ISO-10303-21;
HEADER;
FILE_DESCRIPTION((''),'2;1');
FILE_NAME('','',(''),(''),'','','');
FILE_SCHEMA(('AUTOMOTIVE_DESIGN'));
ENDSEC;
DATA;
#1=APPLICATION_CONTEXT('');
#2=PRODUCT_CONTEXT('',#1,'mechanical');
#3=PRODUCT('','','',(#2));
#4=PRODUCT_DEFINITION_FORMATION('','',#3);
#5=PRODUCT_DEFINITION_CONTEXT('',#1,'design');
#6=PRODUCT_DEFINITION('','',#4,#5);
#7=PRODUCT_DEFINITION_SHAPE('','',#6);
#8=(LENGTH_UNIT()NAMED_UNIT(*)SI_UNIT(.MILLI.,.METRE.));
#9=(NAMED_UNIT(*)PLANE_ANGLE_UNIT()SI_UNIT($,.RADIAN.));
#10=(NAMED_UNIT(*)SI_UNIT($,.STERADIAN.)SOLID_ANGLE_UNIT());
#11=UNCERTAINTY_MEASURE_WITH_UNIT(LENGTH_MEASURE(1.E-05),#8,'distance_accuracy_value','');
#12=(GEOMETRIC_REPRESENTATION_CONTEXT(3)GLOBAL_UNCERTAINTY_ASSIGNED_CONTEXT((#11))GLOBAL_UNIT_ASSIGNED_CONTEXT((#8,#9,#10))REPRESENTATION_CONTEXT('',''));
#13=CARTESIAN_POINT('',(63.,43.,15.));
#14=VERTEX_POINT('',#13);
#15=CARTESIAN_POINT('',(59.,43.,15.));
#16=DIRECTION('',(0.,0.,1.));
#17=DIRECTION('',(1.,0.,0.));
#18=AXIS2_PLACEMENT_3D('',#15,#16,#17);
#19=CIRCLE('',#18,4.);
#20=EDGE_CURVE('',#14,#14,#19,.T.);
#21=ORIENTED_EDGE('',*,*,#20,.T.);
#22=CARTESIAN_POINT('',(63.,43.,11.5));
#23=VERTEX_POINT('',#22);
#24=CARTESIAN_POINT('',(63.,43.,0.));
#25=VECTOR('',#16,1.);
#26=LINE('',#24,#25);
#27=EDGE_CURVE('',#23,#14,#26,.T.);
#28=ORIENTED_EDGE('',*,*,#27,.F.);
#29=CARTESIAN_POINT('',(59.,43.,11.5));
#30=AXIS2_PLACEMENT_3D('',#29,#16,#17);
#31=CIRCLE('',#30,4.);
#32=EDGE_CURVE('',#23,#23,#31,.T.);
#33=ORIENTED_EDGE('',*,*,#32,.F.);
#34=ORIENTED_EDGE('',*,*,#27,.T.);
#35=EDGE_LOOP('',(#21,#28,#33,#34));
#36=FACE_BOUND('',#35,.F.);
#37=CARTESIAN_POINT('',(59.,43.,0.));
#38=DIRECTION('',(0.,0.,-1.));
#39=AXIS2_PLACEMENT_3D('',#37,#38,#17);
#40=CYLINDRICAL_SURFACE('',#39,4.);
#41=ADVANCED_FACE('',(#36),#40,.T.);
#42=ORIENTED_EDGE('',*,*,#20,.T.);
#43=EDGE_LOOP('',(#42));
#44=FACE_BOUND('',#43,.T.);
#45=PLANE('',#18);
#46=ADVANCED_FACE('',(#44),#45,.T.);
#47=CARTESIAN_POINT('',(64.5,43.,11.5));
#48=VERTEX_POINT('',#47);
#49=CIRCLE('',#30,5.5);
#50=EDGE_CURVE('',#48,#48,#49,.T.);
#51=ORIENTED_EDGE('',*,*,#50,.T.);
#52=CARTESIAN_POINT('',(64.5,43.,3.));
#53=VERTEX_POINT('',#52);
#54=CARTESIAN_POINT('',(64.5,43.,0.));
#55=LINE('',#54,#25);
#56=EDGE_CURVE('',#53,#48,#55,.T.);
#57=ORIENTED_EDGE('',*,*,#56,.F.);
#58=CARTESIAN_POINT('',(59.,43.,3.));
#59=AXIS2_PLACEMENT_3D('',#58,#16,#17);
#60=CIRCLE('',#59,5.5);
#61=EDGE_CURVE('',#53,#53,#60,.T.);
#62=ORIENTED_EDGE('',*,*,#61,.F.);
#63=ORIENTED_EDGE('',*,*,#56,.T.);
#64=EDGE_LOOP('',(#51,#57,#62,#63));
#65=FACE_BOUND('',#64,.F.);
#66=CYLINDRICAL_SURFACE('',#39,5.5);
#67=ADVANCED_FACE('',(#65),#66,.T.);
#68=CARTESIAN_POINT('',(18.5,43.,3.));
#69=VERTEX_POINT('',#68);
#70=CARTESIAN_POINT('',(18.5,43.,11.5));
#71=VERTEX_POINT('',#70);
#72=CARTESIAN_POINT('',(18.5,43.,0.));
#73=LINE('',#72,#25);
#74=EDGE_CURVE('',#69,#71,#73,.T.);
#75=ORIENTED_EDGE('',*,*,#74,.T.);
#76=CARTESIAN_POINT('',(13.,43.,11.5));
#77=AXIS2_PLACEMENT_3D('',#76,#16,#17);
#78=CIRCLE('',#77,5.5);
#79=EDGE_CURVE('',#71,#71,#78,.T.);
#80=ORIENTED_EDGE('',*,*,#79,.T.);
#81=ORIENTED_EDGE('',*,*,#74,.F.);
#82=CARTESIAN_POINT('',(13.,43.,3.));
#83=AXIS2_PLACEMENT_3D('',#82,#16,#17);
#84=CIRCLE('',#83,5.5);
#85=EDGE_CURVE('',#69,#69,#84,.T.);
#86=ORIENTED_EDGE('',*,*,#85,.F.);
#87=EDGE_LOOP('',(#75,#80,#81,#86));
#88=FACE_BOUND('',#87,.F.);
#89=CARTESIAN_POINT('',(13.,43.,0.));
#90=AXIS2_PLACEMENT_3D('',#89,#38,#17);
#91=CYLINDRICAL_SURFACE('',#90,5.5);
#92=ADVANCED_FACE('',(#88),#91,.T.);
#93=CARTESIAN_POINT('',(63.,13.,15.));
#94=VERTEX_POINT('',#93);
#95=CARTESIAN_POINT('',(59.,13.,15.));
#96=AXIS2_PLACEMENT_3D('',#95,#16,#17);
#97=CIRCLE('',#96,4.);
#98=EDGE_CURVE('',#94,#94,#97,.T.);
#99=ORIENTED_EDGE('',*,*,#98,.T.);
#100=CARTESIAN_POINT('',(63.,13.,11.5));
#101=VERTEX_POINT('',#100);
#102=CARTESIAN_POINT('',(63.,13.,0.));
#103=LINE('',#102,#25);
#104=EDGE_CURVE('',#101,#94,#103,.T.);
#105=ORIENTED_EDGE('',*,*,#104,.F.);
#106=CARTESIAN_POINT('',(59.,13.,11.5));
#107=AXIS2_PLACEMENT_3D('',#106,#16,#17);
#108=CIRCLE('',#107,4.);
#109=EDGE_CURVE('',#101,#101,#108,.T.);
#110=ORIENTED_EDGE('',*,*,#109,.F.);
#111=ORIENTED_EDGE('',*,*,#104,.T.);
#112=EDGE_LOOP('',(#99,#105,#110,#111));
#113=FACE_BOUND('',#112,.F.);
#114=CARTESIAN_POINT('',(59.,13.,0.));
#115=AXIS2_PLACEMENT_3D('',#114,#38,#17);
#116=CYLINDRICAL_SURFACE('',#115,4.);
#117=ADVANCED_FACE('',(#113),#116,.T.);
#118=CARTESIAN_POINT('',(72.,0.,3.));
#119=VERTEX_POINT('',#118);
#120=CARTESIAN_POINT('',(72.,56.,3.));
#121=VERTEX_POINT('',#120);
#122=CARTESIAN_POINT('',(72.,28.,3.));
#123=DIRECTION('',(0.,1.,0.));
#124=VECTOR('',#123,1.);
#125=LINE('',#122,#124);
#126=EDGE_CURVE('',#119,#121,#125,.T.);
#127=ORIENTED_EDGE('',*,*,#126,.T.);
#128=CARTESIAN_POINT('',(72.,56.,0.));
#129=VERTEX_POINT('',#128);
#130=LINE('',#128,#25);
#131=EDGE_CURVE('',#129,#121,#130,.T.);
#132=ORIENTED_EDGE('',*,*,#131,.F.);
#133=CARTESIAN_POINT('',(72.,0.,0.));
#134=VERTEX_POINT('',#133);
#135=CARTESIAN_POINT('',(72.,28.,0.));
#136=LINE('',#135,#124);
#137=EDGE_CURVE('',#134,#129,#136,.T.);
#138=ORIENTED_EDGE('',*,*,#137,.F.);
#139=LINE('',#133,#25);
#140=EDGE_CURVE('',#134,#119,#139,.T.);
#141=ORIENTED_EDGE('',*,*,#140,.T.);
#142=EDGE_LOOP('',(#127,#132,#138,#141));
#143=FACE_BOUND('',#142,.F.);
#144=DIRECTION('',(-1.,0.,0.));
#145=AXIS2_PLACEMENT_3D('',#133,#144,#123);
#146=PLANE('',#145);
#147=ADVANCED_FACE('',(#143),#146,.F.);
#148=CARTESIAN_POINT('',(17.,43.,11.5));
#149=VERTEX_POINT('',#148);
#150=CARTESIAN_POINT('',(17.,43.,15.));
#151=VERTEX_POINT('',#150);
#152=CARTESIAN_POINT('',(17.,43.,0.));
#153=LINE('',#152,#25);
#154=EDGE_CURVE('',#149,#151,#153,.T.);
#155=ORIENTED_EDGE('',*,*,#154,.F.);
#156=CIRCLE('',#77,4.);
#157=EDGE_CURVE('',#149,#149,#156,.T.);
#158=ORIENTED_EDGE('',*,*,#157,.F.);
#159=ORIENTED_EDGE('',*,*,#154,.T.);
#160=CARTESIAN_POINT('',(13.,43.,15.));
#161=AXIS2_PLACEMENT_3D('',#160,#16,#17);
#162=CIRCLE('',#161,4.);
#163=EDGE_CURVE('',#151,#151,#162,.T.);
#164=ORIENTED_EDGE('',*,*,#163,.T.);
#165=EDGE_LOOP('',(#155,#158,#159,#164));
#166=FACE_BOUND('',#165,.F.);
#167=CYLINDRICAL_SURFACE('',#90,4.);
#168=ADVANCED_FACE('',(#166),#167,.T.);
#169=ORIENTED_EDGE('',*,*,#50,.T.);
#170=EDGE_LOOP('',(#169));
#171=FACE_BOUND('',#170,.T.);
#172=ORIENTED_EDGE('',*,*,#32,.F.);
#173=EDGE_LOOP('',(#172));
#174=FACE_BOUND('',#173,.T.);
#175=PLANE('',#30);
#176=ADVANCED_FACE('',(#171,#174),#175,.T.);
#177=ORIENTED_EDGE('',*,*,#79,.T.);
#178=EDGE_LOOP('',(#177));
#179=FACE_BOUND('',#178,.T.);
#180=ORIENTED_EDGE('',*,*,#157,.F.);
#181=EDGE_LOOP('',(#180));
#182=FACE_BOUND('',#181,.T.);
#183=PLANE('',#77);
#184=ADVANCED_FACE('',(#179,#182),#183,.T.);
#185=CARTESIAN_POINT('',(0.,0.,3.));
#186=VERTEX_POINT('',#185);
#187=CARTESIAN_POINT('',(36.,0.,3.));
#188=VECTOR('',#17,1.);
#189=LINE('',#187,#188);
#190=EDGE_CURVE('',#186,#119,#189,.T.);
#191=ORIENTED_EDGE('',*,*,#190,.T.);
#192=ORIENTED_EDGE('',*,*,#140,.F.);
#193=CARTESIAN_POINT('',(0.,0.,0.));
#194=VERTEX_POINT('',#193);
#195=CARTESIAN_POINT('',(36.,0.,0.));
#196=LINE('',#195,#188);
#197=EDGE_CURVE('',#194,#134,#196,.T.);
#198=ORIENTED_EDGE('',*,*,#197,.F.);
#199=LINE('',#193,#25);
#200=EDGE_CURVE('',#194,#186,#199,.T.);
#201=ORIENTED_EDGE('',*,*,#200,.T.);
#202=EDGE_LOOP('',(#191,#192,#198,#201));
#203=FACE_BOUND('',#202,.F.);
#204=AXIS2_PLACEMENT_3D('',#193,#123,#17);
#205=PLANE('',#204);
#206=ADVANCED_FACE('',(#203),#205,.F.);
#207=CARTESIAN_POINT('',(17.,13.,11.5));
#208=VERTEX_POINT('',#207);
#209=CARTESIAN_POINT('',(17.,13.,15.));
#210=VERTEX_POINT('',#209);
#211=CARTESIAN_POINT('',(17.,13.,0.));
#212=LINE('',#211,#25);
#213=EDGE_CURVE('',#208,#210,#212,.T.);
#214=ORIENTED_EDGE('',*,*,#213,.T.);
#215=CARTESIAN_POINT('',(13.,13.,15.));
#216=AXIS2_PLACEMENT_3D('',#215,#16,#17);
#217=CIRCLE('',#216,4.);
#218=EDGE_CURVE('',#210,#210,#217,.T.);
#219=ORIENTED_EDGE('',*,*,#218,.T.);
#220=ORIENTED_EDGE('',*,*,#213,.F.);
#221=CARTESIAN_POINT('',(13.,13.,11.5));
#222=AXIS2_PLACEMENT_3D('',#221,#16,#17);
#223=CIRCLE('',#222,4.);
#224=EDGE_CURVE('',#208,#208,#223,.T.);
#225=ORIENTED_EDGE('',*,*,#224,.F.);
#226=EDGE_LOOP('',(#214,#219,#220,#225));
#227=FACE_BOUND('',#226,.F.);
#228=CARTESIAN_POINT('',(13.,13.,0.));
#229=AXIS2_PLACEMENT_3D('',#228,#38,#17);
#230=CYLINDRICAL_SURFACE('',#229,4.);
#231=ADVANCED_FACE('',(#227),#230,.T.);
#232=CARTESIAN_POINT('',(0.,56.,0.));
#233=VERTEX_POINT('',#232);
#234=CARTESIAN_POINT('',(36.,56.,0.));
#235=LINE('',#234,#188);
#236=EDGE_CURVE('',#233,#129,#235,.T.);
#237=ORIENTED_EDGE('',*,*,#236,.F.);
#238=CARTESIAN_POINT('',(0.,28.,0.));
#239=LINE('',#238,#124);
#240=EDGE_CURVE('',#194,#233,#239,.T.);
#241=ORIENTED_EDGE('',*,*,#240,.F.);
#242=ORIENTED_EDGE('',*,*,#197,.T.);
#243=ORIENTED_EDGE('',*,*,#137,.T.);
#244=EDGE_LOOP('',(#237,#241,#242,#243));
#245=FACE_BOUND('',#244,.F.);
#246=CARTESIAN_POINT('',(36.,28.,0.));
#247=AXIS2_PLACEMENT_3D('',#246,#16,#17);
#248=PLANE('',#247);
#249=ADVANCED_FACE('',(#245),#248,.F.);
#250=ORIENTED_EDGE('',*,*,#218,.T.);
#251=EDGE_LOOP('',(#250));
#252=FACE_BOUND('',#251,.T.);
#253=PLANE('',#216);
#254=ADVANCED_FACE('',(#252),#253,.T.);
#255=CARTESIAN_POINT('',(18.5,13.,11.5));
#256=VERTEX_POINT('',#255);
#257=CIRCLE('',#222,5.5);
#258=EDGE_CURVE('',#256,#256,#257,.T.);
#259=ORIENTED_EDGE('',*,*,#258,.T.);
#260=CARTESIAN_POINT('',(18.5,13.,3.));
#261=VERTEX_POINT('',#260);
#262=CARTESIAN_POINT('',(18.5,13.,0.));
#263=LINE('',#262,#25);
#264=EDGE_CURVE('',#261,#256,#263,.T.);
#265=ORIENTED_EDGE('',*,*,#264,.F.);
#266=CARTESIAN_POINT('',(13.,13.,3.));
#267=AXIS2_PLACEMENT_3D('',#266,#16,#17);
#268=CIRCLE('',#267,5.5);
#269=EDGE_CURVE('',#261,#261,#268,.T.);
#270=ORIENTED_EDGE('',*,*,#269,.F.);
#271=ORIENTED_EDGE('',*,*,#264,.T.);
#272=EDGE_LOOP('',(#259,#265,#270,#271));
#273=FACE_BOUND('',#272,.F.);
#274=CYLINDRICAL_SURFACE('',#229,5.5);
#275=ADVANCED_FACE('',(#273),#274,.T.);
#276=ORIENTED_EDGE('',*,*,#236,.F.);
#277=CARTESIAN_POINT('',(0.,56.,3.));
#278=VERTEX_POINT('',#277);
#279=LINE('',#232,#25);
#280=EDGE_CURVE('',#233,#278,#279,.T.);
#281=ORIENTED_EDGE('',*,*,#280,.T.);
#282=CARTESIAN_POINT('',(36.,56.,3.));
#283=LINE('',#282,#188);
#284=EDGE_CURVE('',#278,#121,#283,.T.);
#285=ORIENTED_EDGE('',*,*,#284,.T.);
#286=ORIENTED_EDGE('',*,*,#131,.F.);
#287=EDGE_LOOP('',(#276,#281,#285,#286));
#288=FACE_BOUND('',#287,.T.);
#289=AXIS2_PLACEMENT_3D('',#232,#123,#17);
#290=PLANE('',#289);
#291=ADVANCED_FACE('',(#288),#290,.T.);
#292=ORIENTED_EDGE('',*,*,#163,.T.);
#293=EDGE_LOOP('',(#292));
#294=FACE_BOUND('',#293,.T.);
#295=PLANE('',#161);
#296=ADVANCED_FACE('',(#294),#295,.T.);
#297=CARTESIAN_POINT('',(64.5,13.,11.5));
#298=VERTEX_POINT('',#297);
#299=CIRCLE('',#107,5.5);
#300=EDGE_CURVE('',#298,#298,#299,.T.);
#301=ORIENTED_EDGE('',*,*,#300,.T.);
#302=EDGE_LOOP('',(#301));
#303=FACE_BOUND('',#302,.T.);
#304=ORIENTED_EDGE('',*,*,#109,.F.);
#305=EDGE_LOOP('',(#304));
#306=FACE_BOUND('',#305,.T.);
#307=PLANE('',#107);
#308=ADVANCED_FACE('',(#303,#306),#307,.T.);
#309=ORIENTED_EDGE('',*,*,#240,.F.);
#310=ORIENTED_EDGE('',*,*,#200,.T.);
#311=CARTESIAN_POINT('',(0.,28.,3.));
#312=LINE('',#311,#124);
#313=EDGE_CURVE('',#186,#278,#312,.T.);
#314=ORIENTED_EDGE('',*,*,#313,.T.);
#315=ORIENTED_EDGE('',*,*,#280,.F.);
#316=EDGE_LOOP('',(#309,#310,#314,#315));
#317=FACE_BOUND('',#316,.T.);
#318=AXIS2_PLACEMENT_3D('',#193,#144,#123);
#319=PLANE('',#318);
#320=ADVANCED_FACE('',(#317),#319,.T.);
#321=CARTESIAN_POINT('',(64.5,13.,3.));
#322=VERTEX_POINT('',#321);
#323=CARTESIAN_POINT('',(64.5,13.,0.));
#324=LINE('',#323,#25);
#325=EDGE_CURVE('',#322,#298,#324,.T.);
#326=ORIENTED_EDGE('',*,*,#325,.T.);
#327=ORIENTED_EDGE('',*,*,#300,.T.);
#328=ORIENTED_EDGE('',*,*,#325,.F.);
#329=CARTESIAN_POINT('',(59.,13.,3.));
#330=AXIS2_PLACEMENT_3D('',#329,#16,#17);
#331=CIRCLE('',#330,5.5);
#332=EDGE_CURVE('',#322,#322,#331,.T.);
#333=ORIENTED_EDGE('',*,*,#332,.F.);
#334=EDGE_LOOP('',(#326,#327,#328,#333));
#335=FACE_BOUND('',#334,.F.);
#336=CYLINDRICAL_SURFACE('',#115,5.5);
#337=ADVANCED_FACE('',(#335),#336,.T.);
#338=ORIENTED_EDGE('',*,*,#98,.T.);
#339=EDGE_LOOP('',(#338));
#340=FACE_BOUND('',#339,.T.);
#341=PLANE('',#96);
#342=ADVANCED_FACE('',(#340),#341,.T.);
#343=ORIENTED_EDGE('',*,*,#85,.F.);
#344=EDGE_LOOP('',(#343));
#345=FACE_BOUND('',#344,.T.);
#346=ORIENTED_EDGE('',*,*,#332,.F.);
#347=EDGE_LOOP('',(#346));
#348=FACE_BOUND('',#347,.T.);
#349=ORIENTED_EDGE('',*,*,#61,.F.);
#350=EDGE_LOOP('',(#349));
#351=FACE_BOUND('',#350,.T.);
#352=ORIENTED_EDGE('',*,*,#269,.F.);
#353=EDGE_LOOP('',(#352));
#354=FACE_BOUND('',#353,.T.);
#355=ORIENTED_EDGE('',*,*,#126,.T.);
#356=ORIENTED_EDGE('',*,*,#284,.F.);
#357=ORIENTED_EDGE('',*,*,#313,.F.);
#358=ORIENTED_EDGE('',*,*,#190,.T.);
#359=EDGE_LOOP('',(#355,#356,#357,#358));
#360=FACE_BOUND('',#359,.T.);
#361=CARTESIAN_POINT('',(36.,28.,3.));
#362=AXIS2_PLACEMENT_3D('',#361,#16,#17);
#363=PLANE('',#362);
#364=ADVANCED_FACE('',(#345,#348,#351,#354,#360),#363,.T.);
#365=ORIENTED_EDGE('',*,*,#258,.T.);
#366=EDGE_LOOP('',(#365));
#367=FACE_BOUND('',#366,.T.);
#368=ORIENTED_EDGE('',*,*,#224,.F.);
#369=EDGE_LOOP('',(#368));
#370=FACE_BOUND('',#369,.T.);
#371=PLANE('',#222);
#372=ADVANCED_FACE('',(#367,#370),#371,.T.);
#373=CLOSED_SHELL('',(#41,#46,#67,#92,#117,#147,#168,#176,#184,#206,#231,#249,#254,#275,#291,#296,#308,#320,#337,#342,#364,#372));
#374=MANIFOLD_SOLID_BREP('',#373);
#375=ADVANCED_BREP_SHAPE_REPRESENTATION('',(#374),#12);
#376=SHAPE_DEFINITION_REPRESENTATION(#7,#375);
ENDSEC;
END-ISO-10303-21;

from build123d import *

# Parameters (mm, degrees)
F0_W     = 72
F0_H     = 56
F0_R     = 5.5
F1_DEPTH = 3
F0_R_2   = 4
F2_DEPTH = 11.5
F3_DEPTH = 15


with BuildPart() as f1:
    # F0 (on Top) → F1 (new body)
    with BuildSketch(Plane.XY):
        with Locations((36, 28)):
            Rectangle(F0_W, F0_H)
        with Locations((13, 13)):
            Circle(F0_R, mode=Mode.SUBTRACT)
        with Locations((59, 13)):
            Circle(F0_R, mode=Mode.SUBTRACT)
        with Locations((13, 43)):
            Circle(F0_R, mode=Mode.SUBTRACT)
        with Locations((59, 43)):
            Circle(F0_R, mode=Mode.SUBTRACT)
    extrude(amount=F1_DEPTH)

    # F0 (on Top) → F2 (join)
    with BuildSketch(Plane.XY):
        with Locations((59, 13)):
            Circle(F0_R)
        with Locations((59, 13)):
            Circle(F0_R_2, mode=Mode.SUBTRACT)
        with Locations((59, 43)):
            Circle(F0_R)
        with Locations((59, 43)):
            Circle(F0_R_2, mode=Mode.SUBTRACT)
        with Locations((13, 43)):
            Circle(F0_R)
        with Locations((13, 43)):
            Circle(F0_R_2, mode=Mode.SUBTRACT)
        with Locations((13, 13)):
            Circle(F0_R)
        with Locations((13, 13)):
            Circle(F0_R_2, mode=Mode.SUBTRACT)
    extrude(amount=F2_DEPTH)

    # F0 (on Top) → F3 (join)
    with BuildSketch(Plane.XY):
        with Locations((13, 43)):
            Circle(F0_R_2)
        with Locations((59, 43)):
            Circle(F0_R_2)
        with Locations((59, 13)):
            Circle(F0_R_2)
        with Locations((13, 13)):
            Circle(F0_R_2)
    extrude(amount=F3_DEPTH)


solid = f1.part
